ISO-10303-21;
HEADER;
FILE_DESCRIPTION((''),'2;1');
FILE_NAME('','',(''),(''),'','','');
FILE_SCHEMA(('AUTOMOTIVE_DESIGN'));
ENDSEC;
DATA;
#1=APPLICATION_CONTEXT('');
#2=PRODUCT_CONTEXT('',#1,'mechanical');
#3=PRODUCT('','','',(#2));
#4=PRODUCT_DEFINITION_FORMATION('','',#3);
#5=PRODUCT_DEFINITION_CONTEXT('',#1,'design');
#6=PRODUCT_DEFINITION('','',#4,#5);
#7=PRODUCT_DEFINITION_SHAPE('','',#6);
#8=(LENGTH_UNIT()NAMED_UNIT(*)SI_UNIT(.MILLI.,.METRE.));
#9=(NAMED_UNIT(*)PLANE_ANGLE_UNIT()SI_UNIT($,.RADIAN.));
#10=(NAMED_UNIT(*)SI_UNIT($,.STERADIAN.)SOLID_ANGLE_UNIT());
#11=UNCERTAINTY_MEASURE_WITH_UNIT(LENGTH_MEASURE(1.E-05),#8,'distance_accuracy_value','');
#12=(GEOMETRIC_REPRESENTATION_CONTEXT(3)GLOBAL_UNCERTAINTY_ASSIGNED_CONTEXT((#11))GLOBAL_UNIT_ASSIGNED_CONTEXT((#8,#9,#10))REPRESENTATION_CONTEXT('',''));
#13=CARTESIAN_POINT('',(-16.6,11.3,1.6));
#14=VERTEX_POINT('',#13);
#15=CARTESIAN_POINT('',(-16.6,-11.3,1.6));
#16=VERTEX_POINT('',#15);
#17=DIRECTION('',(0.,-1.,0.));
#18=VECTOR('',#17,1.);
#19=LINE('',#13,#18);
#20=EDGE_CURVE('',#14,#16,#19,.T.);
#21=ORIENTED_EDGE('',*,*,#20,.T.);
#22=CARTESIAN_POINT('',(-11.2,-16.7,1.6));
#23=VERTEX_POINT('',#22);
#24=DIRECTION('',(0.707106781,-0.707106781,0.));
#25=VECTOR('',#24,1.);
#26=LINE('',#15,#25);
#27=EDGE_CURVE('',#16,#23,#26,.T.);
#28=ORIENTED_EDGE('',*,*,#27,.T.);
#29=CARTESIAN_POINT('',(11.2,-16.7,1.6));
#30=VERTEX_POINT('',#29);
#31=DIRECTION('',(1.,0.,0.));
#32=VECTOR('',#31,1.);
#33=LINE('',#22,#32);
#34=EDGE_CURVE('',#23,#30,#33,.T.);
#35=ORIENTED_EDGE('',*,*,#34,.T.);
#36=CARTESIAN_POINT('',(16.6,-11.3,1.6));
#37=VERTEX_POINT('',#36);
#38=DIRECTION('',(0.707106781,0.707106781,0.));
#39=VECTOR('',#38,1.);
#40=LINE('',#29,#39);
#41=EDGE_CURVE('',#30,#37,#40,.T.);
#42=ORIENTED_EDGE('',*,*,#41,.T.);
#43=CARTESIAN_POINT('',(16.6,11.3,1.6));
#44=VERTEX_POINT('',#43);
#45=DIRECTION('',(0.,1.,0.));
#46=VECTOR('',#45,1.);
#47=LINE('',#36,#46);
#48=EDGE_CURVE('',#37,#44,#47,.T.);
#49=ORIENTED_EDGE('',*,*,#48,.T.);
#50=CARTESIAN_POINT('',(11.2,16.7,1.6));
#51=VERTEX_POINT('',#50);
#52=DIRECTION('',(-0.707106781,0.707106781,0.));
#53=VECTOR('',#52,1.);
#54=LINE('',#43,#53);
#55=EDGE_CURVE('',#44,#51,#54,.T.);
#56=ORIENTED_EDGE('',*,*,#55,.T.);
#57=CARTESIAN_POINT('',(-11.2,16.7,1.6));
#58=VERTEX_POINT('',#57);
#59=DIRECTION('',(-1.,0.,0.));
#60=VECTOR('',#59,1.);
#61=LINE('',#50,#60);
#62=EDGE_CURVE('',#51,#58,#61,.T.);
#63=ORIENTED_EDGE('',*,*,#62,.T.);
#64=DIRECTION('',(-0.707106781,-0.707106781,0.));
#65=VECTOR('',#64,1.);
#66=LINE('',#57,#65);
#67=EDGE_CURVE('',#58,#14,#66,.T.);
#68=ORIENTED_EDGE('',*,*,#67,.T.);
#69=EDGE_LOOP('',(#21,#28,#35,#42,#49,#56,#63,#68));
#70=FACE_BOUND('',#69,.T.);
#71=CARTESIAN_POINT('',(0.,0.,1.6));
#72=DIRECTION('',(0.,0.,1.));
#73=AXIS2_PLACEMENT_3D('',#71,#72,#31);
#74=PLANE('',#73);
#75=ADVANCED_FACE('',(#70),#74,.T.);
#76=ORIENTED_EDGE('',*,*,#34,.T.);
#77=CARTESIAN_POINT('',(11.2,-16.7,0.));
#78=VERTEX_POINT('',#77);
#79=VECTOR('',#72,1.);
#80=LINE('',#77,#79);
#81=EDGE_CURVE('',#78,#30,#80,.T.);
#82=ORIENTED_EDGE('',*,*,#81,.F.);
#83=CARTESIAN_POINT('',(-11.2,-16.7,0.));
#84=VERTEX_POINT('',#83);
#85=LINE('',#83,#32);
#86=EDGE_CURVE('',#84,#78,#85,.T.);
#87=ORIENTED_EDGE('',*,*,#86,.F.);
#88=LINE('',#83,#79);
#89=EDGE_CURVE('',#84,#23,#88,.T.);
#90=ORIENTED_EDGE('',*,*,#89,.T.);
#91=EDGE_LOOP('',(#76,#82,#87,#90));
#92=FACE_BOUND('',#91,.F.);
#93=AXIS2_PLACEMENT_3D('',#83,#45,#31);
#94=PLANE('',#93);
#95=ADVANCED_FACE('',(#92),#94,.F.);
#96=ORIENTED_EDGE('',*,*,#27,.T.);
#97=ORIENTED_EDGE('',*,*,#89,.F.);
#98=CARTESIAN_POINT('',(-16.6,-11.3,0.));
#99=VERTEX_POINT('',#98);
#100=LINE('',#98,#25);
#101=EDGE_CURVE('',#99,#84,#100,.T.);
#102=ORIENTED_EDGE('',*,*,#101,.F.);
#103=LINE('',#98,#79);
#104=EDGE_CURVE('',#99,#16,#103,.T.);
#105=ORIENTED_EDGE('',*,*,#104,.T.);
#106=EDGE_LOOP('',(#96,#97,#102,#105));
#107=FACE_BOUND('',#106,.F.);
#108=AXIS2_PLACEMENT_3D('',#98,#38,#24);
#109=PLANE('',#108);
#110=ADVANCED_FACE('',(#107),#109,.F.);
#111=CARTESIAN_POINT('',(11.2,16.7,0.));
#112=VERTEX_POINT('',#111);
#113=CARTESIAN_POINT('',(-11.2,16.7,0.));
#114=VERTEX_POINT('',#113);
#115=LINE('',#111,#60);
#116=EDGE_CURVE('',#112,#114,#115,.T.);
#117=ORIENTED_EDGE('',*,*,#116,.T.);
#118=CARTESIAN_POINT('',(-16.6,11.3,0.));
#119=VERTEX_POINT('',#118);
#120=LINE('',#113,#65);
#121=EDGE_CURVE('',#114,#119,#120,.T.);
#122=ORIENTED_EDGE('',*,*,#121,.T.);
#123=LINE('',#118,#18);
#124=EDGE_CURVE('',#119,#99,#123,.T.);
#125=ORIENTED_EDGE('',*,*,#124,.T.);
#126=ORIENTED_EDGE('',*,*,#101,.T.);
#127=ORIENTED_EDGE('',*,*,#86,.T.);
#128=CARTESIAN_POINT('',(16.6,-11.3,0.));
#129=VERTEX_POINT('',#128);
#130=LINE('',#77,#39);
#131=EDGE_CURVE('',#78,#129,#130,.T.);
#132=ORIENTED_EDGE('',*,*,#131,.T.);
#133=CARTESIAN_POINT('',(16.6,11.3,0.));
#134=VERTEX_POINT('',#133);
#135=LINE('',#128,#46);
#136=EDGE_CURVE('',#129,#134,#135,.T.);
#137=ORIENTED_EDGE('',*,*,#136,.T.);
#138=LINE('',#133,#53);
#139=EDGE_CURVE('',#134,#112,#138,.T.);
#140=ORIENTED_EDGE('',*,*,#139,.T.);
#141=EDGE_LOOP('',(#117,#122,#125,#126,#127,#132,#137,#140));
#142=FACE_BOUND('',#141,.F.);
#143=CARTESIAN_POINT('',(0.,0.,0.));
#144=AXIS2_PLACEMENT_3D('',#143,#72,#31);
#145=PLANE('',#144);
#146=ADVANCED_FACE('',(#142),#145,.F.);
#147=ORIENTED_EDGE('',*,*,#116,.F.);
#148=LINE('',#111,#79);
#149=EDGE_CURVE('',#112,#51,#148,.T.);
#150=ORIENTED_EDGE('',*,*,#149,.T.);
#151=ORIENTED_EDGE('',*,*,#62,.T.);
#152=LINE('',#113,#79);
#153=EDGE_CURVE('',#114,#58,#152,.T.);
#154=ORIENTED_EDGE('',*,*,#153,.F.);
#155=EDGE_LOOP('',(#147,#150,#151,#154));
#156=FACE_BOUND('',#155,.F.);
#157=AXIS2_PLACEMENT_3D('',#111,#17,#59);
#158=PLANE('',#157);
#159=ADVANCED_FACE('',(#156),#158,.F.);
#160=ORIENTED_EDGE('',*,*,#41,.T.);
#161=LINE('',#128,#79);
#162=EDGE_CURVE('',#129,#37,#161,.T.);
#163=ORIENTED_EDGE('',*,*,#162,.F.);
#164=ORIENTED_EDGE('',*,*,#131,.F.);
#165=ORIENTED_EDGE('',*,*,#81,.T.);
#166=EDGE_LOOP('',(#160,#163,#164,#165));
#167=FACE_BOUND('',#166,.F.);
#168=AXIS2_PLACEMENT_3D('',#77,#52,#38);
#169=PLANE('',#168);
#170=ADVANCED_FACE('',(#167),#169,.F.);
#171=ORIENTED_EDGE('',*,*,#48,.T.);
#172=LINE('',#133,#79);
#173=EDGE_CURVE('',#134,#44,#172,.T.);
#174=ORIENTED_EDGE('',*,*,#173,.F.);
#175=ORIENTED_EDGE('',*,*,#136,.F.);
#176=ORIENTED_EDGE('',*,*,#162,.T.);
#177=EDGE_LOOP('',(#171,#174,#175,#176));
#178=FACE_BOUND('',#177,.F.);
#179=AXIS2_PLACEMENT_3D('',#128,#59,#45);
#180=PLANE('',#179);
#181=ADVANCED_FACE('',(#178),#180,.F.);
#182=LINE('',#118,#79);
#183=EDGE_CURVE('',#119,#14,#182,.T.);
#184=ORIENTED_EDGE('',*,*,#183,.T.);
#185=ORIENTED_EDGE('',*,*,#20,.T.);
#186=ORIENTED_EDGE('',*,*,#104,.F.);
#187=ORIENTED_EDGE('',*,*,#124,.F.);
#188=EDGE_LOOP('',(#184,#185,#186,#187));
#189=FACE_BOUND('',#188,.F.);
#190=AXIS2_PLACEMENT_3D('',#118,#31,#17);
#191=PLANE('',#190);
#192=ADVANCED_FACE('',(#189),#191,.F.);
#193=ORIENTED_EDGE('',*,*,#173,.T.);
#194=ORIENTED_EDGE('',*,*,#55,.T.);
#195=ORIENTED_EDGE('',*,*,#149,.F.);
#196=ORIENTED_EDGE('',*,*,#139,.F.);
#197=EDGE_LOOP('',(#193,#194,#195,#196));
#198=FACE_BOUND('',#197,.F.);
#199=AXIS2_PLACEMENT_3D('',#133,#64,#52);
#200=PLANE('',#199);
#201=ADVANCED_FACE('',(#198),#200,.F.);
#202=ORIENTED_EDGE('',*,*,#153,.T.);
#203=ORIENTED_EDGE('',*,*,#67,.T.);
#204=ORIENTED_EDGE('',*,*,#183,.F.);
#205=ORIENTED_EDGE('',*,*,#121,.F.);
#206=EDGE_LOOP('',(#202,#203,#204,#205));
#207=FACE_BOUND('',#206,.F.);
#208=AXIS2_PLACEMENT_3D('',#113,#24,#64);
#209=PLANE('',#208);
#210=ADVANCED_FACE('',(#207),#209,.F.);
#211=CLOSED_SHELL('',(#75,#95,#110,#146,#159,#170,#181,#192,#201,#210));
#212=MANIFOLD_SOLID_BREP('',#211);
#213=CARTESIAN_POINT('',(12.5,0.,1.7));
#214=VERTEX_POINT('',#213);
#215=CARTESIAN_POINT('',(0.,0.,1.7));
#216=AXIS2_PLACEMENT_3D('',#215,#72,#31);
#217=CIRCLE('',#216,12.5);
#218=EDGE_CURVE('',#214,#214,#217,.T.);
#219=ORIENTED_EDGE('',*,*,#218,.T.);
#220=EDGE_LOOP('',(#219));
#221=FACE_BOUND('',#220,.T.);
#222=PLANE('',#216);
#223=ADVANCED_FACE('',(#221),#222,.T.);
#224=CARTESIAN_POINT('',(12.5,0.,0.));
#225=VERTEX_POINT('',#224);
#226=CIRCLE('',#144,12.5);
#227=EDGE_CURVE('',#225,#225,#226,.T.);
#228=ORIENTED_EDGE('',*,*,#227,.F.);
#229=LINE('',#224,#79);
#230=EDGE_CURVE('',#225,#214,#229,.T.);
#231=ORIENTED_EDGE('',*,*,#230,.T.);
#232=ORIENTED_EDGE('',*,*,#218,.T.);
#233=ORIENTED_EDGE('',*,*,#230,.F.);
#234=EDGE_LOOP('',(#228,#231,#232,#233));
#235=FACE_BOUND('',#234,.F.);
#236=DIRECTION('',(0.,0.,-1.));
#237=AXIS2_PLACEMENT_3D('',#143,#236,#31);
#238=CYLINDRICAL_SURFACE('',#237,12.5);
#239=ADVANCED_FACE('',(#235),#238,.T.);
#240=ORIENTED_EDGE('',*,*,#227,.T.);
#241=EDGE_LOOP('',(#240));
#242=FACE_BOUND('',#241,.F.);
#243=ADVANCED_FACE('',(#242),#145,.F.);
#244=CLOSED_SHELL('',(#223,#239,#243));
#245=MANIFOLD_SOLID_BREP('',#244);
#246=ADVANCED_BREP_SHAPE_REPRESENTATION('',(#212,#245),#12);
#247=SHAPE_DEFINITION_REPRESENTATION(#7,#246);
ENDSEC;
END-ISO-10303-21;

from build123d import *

# Parameters (mm, degrees)
F1_DEPTH = 1.6
F2_R     = 12.5
F3_DEPTH = 1.7


with BuildPart() as f1:
    # F0 (on Top) → F1 (new body)
    with BuildSketch(Plane.XY):
        Polygon((11.2, 16.7), (-11.2, 16.7), (-16.6, 11.3), (-16.6, -11.3), (-11.2, -16.7), (11.2, -16.7), (16.6, -11.3), (16.6, 11.3), align=None)
    extrude(amount=F1_DEPTH)


with BuildPart() as f3:
    # F2 (on Top) → F3 (new body)
    with BuildSketch(Plane.XY):
        Circle(F2_R)
    extrude(amount=F3_DEPTH)


solid = Compound([f1.part, f3.part])
